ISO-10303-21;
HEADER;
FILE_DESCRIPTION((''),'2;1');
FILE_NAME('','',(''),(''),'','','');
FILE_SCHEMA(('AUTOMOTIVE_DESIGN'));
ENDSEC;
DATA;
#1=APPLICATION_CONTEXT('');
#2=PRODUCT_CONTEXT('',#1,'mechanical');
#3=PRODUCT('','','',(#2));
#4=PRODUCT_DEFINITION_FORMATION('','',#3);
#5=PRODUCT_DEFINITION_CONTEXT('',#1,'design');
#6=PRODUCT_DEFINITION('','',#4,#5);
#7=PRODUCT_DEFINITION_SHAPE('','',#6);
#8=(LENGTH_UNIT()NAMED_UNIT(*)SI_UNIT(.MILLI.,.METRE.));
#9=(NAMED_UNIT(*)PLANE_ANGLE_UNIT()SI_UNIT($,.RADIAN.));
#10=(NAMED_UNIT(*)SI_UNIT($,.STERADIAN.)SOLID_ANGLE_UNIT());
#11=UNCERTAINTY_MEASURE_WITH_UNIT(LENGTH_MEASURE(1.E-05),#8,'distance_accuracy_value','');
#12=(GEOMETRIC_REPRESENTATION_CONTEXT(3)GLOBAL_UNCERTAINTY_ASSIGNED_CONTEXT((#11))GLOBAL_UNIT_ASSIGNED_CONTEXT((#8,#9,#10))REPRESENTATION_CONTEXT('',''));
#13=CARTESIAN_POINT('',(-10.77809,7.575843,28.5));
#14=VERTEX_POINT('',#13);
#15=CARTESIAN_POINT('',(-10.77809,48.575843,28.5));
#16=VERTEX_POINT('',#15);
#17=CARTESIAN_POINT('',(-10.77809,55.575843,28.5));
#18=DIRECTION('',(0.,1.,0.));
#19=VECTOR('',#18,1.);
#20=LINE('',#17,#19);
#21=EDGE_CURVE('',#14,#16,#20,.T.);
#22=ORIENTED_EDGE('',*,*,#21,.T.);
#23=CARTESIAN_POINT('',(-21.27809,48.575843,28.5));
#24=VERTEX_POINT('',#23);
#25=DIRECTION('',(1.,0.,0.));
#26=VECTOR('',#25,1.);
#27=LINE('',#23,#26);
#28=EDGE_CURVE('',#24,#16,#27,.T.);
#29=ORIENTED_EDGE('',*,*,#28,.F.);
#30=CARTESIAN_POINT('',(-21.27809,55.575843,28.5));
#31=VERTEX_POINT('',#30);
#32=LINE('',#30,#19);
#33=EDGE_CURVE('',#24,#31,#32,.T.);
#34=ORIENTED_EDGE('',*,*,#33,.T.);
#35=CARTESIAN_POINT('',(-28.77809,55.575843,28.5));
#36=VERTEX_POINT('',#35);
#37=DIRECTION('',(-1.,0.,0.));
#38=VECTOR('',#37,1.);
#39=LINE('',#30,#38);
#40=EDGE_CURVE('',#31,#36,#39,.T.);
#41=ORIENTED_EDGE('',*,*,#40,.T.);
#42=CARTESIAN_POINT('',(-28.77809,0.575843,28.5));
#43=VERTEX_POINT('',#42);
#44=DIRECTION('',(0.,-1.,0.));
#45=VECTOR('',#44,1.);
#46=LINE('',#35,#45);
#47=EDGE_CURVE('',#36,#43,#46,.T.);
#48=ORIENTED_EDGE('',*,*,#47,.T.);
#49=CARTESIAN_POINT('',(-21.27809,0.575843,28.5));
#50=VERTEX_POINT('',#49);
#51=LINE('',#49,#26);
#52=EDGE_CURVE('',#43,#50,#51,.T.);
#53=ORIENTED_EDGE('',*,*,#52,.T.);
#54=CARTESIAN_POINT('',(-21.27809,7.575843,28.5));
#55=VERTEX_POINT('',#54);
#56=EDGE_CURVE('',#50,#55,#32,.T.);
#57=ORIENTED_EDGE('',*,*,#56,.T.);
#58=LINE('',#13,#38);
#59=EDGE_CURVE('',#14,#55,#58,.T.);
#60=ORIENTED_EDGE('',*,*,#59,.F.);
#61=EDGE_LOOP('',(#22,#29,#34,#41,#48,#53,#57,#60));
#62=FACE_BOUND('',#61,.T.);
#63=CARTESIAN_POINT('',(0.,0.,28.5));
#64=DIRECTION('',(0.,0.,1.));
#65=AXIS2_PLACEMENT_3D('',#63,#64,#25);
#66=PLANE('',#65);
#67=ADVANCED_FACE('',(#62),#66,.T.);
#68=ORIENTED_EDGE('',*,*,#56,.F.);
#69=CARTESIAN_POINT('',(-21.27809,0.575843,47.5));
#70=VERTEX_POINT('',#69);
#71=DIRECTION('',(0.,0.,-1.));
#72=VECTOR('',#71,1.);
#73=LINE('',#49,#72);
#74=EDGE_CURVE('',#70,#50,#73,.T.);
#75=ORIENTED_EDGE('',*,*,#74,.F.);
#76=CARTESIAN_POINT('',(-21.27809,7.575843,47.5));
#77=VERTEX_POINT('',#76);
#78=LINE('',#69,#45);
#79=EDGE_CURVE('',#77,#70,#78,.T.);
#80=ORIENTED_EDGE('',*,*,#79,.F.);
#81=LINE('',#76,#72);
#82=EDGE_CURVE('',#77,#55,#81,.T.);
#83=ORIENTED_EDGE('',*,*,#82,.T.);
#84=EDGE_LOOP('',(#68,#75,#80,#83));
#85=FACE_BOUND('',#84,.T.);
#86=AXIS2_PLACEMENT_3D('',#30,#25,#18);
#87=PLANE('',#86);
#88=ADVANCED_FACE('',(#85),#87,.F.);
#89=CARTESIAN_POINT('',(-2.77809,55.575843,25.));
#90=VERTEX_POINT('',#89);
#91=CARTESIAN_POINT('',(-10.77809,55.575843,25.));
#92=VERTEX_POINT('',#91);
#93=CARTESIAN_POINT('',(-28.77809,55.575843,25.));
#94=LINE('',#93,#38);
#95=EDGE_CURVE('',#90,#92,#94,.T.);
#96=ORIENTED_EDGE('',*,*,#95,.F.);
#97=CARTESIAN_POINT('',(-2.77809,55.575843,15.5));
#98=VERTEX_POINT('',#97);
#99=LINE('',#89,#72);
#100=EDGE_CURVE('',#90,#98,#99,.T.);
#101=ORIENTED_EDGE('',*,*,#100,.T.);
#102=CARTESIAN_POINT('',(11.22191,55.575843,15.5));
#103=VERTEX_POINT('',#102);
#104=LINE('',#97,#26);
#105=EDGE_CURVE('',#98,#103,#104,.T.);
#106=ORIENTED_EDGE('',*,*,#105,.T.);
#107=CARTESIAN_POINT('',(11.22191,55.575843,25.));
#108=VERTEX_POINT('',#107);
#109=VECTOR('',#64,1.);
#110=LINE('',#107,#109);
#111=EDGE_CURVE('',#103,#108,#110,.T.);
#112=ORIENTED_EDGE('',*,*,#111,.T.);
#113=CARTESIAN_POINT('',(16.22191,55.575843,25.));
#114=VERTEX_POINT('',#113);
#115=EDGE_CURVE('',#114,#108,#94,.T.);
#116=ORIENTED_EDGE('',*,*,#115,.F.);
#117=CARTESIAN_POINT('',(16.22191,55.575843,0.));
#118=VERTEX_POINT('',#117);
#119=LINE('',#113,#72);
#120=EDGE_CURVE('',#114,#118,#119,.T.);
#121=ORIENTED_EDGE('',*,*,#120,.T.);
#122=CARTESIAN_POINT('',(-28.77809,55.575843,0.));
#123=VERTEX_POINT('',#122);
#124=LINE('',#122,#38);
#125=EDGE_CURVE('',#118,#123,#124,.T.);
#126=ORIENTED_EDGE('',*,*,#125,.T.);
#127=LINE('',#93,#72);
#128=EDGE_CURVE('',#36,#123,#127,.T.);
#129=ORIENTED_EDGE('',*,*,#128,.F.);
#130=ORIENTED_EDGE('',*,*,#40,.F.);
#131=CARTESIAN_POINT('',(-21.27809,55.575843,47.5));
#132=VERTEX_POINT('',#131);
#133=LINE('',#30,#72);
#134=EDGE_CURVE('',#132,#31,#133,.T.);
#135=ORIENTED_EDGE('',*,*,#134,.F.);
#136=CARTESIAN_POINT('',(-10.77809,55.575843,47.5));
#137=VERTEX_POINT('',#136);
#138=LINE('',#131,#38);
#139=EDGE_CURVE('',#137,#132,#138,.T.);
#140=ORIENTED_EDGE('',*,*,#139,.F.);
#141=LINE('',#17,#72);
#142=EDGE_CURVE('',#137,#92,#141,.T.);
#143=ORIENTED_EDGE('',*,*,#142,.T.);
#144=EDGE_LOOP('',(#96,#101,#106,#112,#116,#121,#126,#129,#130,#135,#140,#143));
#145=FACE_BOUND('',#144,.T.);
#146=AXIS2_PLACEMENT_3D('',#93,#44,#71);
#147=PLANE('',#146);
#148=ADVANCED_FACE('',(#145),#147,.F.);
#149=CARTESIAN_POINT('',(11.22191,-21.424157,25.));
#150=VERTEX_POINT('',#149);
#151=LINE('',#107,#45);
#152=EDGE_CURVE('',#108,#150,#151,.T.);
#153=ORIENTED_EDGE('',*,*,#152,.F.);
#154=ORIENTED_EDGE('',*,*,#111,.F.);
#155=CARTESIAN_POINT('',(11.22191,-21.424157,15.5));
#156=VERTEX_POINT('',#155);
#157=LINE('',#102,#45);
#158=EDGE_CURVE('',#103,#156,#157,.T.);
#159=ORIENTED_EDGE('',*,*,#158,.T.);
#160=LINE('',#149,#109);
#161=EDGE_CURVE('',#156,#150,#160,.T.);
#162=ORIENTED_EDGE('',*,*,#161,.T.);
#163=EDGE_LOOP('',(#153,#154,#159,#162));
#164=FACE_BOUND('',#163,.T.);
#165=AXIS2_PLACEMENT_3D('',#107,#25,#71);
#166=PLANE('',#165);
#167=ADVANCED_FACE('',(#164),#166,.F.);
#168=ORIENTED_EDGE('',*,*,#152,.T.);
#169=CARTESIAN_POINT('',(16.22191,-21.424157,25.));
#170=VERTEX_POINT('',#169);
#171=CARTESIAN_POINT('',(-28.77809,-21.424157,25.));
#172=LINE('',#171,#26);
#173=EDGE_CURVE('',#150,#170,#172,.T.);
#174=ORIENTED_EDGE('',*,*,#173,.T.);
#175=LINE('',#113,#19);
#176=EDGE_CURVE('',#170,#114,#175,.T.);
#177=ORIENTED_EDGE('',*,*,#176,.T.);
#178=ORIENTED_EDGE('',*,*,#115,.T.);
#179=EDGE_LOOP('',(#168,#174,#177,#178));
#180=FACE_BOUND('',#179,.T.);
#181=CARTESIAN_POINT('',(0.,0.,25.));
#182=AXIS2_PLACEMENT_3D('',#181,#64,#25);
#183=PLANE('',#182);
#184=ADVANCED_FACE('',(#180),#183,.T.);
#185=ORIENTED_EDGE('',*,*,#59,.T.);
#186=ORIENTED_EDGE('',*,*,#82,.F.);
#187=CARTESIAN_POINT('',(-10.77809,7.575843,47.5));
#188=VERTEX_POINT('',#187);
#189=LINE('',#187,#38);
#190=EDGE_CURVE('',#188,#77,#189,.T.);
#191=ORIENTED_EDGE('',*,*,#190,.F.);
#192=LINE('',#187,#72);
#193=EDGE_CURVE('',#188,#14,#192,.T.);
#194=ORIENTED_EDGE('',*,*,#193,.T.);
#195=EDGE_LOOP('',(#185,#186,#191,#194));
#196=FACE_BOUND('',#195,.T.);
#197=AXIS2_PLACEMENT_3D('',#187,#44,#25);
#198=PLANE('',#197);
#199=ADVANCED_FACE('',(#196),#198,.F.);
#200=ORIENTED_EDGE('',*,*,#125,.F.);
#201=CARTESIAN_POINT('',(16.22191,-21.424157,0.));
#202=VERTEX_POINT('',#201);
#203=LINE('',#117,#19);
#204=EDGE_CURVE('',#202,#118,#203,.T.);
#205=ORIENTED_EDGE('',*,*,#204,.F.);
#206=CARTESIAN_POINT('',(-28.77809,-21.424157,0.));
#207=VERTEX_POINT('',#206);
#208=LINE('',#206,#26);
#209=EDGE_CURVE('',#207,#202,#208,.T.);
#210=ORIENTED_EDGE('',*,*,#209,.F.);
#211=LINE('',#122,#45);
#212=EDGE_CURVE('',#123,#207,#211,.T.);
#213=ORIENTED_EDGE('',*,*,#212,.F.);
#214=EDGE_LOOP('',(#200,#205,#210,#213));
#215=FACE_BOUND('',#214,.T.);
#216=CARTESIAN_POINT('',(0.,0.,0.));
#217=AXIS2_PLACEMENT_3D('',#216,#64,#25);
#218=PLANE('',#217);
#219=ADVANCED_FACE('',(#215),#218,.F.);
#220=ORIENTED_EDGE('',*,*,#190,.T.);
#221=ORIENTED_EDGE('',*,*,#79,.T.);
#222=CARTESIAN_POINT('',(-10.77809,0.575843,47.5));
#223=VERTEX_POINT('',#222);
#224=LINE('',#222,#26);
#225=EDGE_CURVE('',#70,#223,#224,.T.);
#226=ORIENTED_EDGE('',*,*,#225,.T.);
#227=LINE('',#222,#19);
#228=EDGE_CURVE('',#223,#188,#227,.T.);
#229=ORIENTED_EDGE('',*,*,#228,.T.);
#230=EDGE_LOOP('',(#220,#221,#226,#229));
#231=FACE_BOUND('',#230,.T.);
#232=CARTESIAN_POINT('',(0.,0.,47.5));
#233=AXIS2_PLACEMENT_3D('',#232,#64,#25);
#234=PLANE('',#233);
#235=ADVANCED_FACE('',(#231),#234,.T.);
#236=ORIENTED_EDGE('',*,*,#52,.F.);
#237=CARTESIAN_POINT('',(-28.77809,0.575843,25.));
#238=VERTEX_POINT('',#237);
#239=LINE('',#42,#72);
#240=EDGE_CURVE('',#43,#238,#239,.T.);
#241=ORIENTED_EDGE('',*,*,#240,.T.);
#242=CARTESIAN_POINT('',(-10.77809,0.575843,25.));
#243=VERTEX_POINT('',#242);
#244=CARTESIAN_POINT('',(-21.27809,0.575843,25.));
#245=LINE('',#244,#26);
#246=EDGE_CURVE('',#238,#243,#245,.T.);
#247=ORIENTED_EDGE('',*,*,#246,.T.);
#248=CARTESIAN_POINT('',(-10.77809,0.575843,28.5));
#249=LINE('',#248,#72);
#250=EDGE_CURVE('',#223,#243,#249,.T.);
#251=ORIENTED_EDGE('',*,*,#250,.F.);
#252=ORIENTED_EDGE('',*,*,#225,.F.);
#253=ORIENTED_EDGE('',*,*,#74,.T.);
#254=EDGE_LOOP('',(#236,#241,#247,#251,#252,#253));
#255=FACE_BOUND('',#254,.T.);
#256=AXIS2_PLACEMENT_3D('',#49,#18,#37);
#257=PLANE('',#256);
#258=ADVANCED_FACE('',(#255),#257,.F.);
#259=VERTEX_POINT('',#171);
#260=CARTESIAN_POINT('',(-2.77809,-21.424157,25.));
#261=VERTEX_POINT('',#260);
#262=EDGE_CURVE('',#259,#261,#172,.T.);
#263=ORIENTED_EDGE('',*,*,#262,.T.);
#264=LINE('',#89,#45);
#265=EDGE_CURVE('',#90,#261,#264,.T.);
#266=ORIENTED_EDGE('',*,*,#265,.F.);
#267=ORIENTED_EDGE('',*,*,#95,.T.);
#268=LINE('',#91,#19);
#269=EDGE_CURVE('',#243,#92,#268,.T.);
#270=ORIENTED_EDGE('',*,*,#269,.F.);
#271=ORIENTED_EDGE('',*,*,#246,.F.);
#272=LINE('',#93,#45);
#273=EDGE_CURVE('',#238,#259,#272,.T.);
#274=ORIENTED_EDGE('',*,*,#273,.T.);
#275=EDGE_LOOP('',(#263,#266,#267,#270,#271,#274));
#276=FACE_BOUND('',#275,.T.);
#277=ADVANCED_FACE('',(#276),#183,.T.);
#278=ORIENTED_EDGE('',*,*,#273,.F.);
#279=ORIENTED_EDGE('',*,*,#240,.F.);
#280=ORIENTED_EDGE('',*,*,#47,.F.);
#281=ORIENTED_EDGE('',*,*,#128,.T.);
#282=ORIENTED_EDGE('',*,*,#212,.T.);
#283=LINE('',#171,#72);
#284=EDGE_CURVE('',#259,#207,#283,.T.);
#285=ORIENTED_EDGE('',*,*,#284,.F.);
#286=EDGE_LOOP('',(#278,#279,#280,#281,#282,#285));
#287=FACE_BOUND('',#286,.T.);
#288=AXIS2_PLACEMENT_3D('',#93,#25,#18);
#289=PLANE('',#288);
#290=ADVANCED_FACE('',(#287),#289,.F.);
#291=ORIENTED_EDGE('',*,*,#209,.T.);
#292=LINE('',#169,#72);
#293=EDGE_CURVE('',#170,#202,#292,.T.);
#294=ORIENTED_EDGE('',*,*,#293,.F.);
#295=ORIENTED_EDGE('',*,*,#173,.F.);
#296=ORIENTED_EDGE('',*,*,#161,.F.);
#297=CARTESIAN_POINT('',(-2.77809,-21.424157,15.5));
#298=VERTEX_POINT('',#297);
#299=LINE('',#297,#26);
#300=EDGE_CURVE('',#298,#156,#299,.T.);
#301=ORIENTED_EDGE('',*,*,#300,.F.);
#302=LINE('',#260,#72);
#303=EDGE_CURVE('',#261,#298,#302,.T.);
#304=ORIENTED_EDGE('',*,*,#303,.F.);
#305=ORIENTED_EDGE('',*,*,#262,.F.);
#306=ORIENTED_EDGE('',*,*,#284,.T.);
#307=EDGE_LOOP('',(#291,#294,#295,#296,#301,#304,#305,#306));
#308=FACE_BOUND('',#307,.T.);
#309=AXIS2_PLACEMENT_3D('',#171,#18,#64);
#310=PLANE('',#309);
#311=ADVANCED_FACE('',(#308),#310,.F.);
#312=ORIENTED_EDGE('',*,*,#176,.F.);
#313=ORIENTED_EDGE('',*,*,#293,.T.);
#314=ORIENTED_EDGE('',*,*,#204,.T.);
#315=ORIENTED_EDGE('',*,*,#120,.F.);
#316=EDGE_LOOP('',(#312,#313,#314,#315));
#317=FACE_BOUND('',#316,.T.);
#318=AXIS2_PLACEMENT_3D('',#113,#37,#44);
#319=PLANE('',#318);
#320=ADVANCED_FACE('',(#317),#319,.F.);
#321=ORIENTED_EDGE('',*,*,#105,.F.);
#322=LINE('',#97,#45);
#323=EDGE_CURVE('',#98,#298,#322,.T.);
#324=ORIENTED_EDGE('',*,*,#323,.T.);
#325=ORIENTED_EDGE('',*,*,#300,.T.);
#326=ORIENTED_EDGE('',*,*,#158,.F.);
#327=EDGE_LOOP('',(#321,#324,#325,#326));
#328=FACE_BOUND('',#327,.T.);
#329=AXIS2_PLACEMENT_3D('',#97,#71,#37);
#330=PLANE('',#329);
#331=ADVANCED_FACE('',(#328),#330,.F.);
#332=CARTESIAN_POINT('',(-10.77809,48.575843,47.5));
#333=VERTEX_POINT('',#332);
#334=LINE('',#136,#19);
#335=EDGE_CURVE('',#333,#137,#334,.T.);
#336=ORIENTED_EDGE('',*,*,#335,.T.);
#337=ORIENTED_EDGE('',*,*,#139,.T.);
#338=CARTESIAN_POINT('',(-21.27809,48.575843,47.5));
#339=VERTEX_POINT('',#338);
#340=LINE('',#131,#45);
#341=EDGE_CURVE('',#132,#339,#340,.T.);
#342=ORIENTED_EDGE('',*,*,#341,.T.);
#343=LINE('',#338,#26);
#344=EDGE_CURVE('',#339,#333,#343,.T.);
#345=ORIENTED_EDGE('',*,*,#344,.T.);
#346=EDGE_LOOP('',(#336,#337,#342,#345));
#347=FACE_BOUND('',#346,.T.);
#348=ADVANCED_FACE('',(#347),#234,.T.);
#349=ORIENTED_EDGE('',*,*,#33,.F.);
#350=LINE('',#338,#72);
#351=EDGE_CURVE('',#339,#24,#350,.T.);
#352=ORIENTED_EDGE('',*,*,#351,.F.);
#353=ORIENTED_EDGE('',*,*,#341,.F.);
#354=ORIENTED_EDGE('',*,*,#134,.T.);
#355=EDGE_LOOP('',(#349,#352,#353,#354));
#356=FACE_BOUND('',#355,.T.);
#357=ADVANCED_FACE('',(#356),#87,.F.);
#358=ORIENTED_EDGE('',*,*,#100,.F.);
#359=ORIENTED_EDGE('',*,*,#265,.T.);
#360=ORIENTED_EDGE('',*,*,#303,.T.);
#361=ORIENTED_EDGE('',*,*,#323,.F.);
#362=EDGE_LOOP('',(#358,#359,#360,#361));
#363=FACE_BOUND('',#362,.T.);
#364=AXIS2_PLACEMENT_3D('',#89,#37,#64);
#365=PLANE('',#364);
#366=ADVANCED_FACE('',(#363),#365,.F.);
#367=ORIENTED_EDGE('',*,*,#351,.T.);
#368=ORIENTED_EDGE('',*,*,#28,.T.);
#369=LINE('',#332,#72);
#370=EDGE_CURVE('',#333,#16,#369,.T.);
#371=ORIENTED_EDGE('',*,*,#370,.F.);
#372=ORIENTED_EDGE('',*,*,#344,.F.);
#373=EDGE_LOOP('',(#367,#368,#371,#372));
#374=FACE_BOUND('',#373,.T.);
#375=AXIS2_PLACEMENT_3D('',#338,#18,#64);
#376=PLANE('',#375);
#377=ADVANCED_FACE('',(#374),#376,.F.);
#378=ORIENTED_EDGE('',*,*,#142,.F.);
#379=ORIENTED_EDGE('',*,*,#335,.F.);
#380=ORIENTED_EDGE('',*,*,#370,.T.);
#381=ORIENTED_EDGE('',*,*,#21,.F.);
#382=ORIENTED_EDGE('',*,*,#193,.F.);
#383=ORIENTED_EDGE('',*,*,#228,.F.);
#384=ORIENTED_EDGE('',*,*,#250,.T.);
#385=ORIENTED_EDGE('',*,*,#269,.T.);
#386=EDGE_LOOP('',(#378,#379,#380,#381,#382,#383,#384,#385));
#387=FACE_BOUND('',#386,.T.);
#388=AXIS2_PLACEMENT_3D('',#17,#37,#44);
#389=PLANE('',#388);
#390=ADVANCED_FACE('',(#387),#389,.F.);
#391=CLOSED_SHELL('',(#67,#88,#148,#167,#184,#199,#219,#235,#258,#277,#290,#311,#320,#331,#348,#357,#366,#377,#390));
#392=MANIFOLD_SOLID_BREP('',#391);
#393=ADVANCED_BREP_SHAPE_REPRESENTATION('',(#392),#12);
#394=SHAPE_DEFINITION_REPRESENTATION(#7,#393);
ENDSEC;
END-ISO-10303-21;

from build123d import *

# Parameters (mm, degrees)
SKETCH4_W           = 45
SKETCH4_H           = 77
BOSS_EXTRUDE1_DEPTH = 25
SKETCH6_W           = 14
SKETCH6_H           = 9.5
CUT_EXTRUDE1_DEPTH  = 86.919604617
SKETCH7_W           = 10.5
SKETCH7_H           = 55
BOSS_EXTRUDE2_DEPTH = 3.5
SKETCH8_W           = 10.5
SKETCH8_H           = 7
BOSS_EXTRUDE3_DEPTH = 19
SKETCH9_W           = 7.5
SKETCH9_H           = 55
BOSS_EXTRUDE4_DEPTH = 3.5


with BuildPart() as part:
    # Sketch4 → Boss-Extrude1 (new body)
    with BuildSketch(Plane.XY):
        with Locations((-6.278089888, 17.075842697)):
            Rectangle(SKETCH4_W, SKETCH4_H)
    extrude(amount=BOSS_EXTRUDE1_DEPTH)

    # Sketch6 → Cut-Extrude1 (cut, through all)
    with BuildSketch(Plane.XZ.offset(21.424157303)):
        with Locations((4.221910112, 20.25)):
            Rectangle(SKETCH6_W, SKETCH6_H)
    extrude(amount=-CUT_EXTRUDE1_DEPTH, mode=Mode.SUBTRACT)

    # Sketch7 → Boss-Extrude2 (add)
    with BuildSketch(Plane.XY.offset(25)):
        with Locations((-16.028089888, 28.075842697)):
            Rectangle(SKETCH7_W, SKETCH7_H)
    extrude(amount=BOSS_EXTRUDE2_DEPTH)

    # Sketch8 → Boss-Extrude3 (add)
    with BuildSketch(Plane.XY.offset(28.5)):
        with Locations((-16.028089888, 4.075842697)):
            Rectangle(SKETCH8_W, SKETCH8_H)
        with Locations((-16.028089888, 52.075842697)):
            Rectangle(SKETCH8_W, SKETCH8_H)
    extrude(amount=BOSS_EXTRUDE3_DEPTH)

    # Sketch9 → Boss-Extrude4 (add)
    with BuildSketch(Plane.XY.offset(25)):
        with Locations((-25.028089888, 28.075842697)):
            Rectangle(SKETCH9_W, SKETCH9_H)
    extrude(amount=BOSS_EXTRUDE4_DEPTH)


solid = part.part
